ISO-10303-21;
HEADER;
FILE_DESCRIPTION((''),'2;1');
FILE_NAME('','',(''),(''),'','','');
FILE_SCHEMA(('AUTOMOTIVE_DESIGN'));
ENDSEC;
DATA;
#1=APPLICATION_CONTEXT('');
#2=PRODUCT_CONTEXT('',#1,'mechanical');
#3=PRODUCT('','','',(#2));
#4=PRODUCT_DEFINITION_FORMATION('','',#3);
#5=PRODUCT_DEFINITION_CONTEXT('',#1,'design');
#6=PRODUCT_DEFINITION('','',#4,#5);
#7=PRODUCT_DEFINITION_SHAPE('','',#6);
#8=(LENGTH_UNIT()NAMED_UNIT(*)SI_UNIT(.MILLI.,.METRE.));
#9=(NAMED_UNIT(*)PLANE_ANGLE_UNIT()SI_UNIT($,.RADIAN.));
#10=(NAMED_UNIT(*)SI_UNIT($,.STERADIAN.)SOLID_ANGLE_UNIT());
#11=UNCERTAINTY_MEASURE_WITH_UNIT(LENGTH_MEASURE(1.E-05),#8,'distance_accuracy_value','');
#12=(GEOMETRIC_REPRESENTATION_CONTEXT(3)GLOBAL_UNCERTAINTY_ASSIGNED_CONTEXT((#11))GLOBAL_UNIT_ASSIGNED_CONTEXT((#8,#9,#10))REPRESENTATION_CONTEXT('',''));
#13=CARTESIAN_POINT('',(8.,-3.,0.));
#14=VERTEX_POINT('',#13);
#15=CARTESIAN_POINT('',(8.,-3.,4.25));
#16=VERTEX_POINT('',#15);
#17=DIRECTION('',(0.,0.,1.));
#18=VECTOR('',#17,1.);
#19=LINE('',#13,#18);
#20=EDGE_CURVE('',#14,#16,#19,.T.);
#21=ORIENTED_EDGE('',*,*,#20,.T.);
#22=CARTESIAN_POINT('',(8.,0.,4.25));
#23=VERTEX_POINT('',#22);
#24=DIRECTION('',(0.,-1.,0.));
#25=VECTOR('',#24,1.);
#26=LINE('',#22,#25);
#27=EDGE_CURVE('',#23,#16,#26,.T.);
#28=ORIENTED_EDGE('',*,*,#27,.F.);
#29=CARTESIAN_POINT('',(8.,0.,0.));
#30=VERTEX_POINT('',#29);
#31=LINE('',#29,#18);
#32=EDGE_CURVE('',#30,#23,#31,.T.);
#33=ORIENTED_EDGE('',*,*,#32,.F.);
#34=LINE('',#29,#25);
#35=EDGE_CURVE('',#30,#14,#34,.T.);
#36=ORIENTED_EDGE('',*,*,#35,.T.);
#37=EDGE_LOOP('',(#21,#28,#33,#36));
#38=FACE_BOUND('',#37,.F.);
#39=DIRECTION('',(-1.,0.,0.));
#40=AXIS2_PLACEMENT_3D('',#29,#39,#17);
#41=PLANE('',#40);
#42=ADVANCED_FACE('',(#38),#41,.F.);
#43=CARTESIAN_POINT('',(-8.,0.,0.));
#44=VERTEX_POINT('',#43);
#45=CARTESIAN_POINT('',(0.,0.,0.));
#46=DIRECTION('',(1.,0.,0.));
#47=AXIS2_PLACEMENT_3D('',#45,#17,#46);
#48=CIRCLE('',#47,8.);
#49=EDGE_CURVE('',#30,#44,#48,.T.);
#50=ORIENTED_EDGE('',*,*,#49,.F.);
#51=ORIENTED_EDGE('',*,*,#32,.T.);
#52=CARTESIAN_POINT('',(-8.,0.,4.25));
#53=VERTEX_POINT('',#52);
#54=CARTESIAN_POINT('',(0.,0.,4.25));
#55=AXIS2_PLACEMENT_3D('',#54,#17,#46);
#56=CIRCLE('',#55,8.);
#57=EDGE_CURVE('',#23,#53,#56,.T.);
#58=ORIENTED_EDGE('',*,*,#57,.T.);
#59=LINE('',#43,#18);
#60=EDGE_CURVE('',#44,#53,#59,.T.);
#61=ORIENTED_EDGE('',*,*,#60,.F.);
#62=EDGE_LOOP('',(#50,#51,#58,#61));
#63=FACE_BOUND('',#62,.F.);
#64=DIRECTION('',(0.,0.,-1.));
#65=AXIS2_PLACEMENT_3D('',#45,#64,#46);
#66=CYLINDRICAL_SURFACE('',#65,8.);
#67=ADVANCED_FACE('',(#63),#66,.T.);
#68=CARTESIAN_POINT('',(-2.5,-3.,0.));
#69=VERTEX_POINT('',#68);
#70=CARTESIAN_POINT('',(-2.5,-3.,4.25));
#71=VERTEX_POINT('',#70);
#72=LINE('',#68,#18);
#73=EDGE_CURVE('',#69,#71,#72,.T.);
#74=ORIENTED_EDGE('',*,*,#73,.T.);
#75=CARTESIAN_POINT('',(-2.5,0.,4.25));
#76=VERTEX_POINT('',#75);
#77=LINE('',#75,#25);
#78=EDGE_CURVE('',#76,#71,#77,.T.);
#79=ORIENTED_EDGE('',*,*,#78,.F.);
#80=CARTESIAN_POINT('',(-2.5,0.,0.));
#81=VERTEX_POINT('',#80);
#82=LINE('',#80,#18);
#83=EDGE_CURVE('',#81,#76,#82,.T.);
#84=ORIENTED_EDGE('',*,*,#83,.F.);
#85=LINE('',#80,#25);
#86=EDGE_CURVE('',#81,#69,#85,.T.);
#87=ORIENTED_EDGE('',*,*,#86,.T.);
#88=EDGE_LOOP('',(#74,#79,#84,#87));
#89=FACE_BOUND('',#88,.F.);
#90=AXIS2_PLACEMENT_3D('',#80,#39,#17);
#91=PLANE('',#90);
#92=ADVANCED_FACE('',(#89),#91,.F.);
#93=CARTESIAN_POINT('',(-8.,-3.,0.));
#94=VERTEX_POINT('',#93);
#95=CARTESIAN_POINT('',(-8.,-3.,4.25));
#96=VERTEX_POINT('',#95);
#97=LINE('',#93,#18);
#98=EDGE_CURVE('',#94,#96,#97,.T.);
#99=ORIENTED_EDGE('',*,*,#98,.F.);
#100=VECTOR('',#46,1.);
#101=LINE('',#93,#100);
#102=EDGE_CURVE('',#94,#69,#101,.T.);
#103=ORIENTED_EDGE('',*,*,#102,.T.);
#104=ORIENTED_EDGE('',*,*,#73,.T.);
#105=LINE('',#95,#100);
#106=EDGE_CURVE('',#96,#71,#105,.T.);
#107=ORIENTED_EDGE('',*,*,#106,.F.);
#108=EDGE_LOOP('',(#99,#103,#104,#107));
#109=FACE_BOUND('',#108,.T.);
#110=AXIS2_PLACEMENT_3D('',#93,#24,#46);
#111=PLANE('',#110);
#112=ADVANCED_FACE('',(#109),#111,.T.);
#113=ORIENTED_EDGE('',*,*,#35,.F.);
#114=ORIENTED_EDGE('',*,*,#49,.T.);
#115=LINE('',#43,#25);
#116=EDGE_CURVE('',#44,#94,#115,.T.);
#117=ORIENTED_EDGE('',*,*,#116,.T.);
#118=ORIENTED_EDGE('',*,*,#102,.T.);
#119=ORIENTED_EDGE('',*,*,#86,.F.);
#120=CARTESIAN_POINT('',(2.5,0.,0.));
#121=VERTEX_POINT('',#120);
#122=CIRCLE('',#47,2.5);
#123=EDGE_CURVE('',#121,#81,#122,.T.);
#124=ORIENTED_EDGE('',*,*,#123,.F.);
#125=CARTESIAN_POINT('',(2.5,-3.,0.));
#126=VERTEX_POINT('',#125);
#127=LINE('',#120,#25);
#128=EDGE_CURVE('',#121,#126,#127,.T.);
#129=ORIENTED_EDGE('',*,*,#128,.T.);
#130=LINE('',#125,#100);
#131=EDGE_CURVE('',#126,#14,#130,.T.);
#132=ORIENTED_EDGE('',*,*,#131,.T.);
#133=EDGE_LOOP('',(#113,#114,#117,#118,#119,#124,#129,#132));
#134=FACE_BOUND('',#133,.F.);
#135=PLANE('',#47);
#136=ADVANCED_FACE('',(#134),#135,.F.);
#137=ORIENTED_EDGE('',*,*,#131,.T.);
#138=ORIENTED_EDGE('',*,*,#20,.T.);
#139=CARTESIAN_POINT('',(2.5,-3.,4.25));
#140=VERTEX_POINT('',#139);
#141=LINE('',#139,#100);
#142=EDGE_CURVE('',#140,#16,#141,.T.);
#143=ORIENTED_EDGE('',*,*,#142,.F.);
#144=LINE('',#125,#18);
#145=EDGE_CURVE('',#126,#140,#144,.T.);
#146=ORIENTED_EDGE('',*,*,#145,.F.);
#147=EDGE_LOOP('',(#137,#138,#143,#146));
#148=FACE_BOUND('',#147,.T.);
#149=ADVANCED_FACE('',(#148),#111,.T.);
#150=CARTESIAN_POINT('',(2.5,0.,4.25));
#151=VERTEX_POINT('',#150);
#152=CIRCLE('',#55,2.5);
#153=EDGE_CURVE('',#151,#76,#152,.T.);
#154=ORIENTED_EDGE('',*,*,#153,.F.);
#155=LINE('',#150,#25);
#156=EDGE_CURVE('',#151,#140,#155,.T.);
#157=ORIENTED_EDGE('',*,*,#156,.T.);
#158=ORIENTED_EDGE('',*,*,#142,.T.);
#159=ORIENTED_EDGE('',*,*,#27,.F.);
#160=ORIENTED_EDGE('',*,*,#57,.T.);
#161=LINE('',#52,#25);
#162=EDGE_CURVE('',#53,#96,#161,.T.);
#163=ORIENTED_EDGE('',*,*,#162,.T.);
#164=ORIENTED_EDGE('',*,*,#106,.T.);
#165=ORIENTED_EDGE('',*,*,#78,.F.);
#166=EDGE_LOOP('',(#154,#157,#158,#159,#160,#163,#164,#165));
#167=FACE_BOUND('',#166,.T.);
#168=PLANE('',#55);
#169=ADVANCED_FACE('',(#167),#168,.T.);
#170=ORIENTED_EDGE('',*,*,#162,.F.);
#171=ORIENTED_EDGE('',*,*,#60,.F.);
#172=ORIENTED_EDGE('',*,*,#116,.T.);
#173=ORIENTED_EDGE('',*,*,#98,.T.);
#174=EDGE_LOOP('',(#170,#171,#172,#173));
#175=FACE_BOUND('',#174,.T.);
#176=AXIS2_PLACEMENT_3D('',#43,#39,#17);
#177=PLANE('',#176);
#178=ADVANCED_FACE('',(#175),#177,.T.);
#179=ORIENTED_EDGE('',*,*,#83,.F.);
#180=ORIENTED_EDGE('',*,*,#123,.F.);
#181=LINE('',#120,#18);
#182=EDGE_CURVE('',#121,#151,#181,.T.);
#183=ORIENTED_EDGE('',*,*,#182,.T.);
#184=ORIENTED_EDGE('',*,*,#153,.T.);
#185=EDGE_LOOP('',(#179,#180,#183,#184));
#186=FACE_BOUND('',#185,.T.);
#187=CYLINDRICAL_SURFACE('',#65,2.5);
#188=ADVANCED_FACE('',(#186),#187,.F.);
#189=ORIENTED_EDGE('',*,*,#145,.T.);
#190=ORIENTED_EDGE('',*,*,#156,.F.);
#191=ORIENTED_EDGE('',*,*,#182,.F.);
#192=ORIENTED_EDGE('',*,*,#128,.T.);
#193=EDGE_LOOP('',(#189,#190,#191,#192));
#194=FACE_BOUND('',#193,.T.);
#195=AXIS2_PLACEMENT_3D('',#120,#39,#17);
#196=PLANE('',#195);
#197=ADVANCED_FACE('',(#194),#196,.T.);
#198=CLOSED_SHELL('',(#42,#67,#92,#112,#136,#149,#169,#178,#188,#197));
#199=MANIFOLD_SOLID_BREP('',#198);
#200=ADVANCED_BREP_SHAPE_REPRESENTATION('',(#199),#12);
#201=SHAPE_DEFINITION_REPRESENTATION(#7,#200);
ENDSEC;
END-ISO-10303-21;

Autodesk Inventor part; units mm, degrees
ref_plane "YZ Plane" through (0, 0, 0) normal (1, 0, 0) x (0, 1, 0)
ref_plane "XZ Plane" through (0, 0, 0) normal (0, 1, 0) x (-1, 0, 0)
ref_plane "XY Plane" through (0, 0, 0) normal (0, 0, 1) x (1, 0, 0)
sketch "Sketch1" plane through (0, 0, 0) normal (0, 0, 1) x (1, 0, 0)
  circle A0 centre (0, 0) radius 2.5
  circle A1 centre (0, 0) radius 8
  line L0 (-8, 0) -> (8, 0)
  point P0 (-2.5, 0)
  point P1 (2.5, 0)
  dimension "d0" = 16
  dimension "d1" = 5
extrude "Extrusion1" add sketch "Sketch1" along normal blind 4.25 contours A0 L0 A1 picked at (-6.065, 0.8376)
sketch "Sketch2" plane through (-8, 0, 0) normal (0, -1, 0) x (1, 0, 0)
  line L0 (0, 0) -> (5.5, 0) projected
  line L1 (5.5, 0) -> (5.5, 4.25) projected
  line L2 (0, 4.25) -> (5.5, 4.25) projected
  line L3 (0, 0) -> (0, 4.25) projected
  line L4 (10.5, 0) -> (16, 0) projected
  line L5 (16, 0) -> (16, 4.25) projected
  line L6 (10.5, 4.25) -> (16, 4.25) projected
  line L7 (10.5, 0) -> (10.5, 4.25) projected
  point P0 (8, 0)
extrude "Extrusion2" add sketch "Sketch2" along normal blind 3
properties part number "Riemenscheibe_Adjustment_Disk"
